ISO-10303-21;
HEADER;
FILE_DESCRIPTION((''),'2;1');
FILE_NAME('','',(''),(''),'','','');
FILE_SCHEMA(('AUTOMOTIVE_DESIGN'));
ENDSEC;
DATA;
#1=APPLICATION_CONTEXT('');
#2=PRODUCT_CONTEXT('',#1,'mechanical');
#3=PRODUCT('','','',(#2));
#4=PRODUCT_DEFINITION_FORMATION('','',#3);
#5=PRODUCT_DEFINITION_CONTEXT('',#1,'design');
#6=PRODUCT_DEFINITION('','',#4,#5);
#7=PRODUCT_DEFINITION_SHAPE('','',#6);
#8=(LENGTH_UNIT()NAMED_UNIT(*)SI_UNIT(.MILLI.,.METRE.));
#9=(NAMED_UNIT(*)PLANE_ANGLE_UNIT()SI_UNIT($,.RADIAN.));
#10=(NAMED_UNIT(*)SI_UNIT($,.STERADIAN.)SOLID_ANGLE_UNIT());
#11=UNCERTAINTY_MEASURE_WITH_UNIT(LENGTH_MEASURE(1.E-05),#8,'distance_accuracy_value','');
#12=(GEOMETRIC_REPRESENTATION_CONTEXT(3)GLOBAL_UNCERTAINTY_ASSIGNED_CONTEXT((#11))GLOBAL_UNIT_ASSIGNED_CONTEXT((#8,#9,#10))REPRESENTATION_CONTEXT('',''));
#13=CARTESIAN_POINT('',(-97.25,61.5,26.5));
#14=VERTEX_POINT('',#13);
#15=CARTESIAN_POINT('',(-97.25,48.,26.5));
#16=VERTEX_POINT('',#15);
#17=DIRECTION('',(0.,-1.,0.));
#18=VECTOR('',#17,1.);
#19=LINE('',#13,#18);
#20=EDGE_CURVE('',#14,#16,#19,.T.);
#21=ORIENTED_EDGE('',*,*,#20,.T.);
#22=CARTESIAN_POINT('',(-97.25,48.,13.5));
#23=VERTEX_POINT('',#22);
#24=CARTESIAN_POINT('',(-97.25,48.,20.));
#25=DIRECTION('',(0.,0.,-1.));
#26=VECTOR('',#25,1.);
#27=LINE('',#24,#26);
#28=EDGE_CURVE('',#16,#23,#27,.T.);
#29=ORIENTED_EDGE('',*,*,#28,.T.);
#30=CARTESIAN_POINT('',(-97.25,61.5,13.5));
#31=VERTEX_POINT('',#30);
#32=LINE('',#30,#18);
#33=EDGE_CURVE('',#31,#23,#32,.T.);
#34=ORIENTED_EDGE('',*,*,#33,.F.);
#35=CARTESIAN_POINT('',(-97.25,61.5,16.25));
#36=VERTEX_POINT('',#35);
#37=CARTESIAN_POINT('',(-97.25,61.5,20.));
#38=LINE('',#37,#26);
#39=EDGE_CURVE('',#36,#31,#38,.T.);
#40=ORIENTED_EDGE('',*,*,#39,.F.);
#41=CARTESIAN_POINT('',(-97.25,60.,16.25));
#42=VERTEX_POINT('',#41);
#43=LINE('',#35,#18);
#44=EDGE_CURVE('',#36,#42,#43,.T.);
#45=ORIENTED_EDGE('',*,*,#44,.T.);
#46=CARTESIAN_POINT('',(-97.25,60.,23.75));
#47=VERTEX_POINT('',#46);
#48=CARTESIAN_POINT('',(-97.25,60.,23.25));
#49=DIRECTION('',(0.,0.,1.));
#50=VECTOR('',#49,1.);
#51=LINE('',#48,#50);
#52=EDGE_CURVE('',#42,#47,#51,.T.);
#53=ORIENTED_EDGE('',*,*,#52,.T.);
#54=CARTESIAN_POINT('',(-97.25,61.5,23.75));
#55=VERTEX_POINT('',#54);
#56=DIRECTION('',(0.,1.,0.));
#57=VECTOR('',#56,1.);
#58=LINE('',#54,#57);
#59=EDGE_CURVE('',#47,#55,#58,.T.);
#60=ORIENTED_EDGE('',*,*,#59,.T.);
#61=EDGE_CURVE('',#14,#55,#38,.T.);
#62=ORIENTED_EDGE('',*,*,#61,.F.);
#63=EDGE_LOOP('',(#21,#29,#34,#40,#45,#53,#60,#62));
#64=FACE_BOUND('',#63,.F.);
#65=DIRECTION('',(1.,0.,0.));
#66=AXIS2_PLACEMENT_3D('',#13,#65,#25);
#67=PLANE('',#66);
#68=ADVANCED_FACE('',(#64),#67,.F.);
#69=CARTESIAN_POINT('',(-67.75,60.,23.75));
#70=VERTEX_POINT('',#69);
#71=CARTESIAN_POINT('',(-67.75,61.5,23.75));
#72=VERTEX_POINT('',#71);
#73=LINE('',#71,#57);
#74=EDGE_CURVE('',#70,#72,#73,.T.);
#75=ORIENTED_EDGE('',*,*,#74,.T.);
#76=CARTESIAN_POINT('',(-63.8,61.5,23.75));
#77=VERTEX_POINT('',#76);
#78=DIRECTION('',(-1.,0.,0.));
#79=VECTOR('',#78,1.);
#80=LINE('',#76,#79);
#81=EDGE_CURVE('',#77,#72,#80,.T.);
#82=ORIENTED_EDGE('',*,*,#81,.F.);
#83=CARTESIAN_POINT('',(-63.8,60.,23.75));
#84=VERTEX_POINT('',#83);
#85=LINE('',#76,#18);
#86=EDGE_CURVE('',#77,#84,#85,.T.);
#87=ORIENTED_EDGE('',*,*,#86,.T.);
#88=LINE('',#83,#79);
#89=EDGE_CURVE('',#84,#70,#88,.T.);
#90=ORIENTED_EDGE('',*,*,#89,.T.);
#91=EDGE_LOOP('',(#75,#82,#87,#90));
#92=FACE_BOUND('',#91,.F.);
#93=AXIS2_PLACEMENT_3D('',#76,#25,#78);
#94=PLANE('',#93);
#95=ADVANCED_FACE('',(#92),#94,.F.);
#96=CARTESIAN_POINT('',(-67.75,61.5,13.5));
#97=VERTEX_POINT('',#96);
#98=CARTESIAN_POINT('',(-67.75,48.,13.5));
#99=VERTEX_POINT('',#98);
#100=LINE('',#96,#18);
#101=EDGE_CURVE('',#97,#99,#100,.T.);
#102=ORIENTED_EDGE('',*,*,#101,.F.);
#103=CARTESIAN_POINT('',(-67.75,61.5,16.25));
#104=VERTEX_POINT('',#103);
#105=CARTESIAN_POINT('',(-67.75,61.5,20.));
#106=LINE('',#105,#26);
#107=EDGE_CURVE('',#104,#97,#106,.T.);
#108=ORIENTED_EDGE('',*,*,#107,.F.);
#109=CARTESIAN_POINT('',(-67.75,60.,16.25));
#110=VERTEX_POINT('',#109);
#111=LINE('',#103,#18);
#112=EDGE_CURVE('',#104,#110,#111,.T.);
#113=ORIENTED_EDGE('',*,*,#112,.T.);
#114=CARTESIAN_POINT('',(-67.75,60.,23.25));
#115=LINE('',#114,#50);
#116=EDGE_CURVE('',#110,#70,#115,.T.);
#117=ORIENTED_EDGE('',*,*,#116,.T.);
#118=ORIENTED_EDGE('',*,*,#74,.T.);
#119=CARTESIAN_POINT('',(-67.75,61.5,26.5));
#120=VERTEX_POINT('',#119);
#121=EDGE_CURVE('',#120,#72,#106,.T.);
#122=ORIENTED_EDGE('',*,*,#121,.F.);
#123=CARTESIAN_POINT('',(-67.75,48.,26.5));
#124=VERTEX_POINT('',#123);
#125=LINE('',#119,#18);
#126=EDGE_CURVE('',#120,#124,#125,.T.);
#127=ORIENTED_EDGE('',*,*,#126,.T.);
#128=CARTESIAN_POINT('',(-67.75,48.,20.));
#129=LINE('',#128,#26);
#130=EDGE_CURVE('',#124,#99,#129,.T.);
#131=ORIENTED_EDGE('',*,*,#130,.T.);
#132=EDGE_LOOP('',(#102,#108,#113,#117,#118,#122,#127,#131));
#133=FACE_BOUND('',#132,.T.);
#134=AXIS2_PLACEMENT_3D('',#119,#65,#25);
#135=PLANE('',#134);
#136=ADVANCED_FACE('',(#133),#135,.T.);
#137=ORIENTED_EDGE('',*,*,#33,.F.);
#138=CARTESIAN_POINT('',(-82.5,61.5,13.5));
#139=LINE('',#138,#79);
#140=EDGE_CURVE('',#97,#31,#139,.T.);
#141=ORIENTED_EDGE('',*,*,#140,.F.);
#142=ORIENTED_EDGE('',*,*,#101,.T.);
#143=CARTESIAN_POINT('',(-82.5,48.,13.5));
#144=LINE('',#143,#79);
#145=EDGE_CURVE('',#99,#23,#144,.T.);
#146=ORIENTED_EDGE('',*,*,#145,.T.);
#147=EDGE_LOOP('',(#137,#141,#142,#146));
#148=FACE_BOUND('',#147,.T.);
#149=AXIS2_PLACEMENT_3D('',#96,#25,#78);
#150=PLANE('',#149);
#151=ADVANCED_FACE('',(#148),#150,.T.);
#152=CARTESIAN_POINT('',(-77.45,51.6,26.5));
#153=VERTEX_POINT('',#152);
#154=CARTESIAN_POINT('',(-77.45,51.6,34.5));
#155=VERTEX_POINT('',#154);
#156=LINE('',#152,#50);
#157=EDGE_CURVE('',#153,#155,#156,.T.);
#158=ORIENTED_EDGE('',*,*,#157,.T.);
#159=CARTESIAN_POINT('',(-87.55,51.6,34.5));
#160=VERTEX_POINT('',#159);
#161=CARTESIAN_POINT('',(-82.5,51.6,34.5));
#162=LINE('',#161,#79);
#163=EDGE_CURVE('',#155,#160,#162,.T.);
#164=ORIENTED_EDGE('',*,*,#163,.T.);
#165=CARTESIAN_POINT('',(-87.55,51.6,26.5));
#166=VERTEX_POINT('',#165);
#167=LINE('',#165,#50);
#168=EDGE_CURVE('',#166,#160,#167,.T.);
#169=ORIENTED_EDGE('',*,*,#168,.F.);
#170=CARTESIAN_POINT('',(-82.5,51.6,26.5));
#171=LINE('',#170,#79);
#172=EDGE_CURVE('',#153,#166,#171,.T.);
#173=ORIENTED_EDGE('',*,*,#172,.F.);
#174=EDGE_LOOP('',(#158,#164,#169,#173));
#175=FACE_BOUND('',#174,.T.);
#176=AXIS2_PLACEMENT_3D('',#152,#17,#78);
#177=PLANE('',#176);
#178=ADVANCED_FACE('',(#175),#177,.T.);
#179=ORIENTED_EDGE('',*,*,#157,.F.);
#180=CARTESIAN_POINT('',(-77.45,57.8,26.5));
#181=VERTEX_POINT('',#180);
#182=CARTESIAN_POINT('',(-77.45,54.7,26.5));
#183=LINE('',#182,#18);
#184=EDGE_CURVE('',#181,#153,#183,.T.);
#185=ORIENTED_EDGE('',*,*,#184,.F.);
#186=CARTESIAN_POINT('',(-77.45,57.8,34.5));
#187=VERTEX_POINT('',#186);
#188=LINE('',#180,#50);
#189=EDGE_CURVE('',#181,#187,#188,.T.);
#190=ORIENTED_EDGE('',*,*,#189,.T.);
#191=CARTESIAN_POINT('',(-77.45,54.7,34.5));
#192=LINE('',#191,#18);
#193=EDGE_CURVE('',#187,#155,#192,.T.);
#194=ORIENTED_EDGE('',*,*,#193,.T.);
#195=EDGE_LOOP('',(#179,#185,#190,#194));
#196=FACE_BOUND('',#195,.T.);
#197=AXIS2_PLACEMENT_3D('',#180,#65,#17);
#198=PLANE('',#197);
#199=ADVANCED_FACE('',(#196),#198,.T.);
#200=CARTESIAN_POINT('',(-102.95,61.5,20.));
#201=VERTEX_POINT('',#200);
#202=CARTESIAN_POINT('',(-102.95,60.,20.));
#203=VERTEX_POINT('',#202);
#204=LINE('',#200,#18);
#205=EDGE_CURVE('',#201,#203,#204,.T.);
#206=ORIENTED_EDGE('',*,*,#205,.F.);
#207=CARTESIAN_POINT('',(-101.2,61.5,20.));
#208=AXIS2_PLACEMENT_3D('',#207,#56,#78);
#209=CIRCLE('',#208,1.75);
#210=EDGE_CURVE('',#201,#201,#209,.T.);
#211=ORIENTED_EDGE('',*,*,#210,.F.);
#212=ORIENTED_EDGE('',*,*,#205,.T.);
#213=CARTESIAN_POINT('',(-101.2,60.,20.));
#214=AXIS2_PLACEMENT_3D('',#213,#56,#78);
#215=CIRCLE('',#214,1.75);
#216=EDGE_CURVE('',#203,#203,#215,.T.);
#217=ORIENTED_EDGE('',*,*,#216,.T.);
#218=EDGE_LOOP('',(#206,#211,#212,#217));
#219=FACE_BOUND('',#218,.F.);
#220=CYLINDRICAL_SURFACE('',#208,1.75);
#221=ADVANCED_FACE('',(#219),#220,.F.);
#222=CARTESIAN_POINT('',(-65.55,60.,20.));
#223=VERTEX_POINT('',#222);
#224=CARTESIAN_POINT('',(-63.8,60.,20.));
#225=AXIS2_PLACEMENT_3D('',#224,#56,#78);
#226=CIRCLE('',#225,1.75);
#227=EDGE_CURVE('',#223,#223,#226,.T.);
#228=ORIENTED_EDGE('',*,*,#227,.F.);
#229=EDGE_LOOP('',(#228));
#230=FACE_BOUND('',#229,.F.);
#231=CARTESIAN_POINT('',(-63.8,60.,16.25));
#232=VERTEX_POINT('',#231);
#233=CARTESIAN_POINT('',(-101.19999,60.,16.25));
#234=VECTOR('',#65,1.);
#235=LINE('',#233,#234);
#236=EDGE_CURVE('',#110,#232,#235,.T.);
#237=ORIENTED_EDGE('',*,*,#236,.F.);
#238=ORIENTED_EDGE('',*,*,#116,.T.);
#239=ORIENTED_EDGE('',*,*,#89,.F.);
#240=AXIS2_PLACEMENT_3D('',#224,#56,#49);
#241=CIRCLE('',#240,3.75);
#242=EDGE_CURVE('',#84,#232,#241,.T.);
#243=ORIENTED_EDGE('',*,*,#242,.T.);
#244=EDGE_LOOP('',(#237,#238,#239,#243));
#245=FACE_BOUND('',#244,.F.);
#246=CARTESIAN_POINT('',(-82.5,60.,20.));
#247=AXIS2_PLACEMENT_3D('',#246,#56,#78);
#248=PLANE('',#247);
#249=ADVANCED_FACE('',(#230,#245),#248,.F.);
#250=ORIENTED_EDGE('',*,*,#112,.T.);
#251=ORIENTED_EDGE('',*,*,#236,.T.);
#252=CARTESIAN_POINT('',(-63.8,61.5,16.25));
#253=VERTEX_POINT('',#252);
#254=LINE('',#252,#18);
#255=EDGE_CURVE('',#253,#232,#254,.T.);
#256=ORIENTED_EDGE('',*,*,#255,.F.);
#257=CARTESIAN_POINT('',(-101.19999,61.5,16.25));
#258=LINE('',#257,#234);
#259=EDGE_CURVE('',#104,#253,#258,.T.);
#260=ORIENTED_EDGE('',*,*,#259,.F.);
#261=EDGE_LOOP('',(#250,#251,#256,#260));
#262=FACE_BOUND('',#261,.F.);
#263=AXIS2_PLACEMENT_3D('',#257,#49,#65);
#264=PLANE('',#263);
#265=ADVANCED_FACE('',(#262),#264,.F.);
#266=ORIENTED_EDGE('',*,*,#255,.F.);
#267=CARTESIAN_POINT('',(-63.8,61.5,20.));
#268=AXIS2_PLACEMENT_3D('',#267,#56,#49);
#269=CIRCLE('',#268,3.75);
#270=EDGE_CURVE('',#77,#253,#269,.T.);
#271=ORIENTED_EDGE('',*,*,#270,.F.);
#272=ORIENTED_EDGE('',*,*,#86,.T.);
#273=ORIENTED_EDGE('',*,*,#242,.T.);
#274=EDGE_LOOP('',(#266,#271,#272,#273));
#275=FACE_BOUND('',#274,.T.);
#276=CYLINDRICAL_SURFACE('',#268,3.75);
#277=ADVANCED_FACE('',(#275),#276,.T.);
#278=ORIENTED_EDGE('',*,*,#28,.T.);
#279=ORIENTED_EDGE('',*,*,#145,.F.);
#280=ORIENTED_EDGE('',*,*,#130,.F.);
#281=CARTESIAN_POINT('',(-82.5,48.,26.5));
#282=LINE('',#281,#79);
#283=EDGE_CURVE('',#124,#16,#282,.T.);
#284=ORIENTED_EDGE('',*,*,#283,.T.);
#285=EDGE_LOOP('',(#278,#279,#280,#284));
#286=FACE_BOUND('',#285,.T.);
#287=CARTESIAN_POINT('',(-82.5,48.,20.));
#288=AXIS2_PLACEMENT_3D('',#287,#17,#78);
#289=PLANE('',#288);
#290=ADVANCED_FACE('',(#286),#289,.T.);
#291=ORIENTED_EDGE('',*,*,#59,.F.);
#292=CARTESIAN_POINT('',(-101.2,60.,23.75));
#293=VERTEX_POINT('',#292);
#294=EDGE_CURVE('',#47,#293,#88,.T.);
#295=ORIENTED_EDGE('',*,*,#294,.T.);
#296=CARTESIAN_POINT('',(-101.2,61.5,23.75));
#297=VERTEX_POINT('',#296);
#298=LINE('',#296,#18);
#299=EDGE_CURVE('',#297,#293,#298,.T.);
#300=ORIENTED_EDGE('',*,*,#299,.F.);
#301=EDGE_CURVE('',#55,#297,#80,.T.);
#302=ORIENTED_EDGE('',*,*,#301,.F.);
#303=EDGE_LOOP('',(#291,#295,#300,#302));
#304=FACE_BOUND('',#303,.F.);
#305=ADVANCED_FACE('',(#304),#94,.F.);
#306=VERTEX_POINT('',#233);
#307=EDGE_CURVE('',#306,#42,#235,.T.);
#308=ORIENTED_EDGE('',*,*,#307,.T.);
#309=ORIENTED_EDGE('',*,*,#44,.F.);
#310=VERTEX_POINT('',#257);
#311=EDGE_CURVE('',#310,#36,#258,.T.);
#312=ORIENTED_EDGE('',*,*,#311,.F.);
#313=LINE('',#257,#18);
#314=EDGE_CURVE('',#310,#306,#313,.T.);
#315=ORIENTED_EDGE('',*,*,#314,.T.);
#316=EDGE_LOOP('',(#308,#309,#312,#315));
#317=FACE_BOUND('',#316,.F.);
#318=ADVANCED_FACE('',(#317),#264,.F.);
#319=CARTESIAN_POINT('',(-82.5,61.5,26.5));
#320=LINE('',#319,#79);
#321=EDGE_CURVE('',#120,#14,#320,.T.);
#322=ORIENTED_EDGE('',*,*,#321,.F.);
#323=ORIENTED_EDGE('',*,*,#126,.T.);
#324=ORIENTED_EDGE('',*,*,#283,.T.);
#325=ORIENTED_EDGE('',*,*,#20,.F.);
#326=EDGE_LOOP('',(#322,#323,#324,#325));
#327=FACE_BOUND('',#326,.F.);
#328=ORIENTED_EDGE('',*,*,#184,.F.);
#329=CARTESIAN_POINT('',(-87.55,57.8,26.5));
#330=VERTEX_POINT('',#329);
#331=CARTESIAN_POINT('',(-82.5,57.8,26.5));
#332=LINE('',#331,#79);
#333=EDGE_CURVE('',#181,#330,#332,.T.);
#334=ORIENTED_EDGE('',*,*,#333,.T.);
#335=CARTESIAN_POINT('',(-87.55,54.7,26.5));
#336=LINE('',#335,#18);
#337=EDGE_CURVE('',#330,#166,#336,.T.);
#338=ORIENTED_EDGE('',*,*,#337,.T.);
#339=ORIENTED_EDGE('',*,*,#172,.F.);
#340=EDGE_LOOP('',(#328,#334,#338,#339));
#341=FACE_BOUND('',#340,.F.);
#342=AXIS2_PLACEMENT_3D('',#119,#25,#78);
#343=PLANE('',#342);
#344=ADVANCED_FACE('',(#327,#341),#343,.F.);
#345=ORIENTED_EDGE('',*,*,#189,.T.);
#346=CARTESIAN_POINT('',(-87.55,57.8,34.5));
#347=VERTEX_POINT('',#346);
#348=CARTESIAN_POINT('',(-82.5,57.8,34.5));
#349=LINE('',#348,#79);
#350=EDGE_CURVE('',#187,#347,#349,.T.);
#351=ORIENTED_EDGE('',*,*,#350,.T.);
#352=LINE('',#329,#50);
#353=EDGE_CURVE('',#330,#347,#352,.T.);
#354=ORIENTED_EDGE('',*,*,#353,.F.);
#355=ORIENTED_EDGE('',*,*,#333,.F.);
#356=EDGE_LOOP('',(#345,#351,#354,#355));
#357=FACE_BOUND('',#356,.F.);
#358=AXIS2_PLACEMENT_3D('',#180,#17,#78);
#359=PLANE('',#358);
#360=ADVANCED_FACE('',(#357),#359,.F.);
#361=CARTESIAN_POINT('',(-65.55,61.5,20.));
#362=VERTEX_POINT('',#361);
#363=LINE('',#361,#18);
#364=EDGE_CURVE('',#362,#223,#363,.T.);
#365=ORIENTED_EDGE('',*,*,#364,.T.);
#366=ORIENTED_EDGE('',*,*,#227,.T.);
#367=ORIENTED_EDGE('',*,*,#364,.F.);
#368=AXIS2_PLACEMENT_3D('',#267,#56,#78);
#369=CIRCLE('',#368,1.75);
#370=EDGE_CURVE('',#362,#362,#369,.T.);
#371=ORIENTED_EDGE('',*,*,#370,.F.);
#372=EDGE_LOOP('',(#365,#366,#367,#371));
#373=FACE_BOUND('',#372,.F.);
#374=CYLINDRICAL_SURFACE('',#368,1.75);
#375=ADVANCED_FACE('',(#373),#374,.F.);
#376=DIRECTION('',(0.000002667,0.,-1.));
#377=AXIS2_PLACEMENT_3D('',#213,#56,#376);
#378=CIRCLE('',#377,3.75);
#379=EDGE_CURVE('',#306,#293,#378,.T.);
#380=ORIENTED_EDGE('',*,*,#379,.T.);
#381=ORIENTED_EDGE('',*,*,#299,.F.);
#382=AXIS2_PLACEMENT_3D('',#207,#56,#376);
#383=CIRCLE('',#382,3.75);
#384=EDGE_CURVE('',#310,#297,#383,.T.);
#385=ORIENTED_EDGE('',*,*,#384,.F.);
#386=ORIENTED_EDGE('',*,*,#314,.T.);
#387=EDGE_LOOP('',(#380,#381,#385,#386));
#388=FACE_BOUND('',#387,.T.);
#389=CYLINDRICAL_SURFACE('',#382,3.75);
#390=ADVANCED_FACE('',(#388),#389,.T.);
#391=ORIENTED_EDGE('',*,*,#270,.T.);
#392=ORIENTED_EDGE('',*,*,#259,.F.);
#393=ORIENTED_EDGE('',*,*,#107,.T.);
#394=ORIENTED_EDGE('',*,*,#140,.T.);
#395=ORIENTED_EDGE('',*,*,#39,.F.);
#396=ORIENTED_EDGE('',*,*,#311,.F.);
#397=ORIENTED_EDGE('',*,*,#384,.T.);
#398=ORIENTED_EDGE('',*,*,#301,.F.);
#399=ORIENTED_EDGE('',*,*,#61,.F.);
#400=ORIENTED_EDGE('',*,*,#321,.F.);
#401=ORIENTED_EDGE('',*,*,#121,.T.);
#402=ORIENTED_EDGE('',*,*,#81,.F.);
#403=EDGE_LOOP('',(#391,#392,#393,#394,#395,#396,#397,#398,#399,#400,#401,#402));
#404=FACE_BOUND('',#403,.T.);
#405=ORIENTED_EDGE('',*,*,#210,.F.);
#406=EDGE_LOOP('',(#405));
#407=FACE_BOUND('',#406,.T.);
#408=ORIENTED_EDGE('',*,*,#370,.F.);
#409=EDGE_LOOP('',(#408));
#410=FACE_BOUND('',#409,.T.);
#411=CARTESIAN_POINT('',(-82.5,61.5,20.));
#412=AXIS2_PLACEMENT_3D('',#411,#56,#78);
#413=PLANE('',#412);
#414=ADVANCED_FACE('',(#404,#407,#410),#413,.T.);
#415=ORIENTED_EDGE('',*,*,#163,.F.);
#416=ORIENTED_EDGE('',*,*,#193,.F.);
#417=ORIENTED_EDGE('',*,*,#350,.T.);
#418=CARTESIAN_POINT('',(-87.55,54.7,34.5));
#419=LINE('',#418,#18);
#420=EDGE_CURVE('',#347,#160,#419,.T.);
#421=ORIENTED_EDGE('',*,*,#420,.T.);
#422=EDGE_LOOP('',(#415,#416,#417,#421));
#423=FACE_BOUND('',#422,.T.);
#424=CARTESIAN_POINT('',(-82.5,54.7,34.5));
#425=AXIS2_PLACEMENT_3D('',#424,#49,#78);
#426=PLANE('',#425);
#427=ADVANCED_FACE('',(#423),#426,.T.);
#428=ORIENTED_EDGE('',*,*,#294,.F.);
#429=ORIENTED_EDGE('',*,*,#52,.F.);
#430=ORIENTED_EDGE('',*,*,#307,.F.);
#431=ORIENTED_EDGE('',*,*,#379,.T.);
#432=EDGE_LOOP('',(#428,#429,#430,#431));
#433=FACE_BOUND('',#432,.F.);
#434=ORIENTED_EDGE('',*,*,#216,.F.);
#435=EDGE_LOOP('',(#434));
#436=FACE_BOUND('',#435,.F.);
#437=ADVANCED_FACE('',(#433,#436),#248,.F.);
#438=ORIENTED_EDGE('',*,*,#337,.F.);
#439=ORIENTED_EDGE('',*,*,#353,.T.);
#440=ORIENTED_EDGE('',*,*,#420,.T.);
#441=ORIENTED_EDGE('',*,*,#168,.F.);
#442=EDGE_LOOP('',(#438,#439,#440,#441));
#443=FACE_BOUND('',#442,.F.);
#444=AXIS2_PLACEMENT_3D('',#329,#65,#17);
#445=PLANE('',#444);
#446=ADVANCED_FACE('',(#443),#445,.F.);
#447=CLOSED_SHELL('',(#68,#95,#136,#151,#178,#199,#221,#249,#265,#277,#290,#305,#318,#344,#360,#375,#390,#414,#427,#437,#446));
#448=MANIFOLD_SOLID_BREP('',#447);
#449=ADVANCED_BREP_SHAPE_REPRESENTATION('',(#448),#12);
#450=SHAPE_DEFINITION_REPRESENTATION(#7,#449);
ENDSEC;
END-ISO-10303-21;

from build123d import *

# Parameters (mm, degrees)
SKETCH034_W             = 29.5
SKETCH034_H             = 13
PAD022_DEPTH            = 13.5
SKETCH035_R             = 1.75
PAD023_DEPTH            = 1.5
SKETCH036_W             = 10.1
SKETCH036_H             = 6.2
PAD024_DEPTH            = 8
BODY006_PLACEMENT_ANGLE = 180


with BuildPart() as part:
    # Sketch034 → Pad022 (new body)
    with BuildSketch(Plane.XZ):
        Rectangle(SKETCH034_W, SKETCH034_H)
    extrude(amount=PAD022_DEPTH)

    # Sketch035 (on Face5 of Pad022) → Pad023 (join)
    with BuildSketch(Plane(origin=(0, 0, 0), x_dir=(1, 0, 0), z_dir=(0, 1, 0))):
        with BuildLine():
            ThreePointArc((-18.7, 3.75), (-22.45, 0), (-18.7, -3.75))
            Line((18.69999, -3.75), (-18.7, -3.75))
            ThreePointArc((18.69999, -3.75), (22.45, -5e-06), (18.7, 3.75))
            Line((-18.7, 3.75), (18.7, 3.75))
        make_face()
        with Locations((-18.7, 0)):
            Circle(SKETCH035_R, mode=Mode.SUBTRACT)
        with Locations((18.7, 0)):
            Circle(SKETCH035_R, mode=Mode.SUBTRACT)
    extrude(amount=-PAD023_DEPTH)

    # Sketch036 (on Face10 of Pad023) → Pad024 (join)
    with BuildSketch(Plane(origin=(0, 0, -6.5), x_dir=(1, 0, 0), z_dir=(0, 0, -1))):
        with Locations((0, 6.8)):
            Rectangle(SKETCH036_W, SKETCH036_H)
    extrude(amount=PAD024_DEPTH)


with BuildPart() as part_1:
    # Body006 placement: moved
    add(part.part.moved(Location((-82.5, 61.5, 20))).rotate(Axis((-82.5, 61.5, 20), (0, 1, 0)), BODY006_PLACEMENT_ANGLE))


solid = part_1.part
